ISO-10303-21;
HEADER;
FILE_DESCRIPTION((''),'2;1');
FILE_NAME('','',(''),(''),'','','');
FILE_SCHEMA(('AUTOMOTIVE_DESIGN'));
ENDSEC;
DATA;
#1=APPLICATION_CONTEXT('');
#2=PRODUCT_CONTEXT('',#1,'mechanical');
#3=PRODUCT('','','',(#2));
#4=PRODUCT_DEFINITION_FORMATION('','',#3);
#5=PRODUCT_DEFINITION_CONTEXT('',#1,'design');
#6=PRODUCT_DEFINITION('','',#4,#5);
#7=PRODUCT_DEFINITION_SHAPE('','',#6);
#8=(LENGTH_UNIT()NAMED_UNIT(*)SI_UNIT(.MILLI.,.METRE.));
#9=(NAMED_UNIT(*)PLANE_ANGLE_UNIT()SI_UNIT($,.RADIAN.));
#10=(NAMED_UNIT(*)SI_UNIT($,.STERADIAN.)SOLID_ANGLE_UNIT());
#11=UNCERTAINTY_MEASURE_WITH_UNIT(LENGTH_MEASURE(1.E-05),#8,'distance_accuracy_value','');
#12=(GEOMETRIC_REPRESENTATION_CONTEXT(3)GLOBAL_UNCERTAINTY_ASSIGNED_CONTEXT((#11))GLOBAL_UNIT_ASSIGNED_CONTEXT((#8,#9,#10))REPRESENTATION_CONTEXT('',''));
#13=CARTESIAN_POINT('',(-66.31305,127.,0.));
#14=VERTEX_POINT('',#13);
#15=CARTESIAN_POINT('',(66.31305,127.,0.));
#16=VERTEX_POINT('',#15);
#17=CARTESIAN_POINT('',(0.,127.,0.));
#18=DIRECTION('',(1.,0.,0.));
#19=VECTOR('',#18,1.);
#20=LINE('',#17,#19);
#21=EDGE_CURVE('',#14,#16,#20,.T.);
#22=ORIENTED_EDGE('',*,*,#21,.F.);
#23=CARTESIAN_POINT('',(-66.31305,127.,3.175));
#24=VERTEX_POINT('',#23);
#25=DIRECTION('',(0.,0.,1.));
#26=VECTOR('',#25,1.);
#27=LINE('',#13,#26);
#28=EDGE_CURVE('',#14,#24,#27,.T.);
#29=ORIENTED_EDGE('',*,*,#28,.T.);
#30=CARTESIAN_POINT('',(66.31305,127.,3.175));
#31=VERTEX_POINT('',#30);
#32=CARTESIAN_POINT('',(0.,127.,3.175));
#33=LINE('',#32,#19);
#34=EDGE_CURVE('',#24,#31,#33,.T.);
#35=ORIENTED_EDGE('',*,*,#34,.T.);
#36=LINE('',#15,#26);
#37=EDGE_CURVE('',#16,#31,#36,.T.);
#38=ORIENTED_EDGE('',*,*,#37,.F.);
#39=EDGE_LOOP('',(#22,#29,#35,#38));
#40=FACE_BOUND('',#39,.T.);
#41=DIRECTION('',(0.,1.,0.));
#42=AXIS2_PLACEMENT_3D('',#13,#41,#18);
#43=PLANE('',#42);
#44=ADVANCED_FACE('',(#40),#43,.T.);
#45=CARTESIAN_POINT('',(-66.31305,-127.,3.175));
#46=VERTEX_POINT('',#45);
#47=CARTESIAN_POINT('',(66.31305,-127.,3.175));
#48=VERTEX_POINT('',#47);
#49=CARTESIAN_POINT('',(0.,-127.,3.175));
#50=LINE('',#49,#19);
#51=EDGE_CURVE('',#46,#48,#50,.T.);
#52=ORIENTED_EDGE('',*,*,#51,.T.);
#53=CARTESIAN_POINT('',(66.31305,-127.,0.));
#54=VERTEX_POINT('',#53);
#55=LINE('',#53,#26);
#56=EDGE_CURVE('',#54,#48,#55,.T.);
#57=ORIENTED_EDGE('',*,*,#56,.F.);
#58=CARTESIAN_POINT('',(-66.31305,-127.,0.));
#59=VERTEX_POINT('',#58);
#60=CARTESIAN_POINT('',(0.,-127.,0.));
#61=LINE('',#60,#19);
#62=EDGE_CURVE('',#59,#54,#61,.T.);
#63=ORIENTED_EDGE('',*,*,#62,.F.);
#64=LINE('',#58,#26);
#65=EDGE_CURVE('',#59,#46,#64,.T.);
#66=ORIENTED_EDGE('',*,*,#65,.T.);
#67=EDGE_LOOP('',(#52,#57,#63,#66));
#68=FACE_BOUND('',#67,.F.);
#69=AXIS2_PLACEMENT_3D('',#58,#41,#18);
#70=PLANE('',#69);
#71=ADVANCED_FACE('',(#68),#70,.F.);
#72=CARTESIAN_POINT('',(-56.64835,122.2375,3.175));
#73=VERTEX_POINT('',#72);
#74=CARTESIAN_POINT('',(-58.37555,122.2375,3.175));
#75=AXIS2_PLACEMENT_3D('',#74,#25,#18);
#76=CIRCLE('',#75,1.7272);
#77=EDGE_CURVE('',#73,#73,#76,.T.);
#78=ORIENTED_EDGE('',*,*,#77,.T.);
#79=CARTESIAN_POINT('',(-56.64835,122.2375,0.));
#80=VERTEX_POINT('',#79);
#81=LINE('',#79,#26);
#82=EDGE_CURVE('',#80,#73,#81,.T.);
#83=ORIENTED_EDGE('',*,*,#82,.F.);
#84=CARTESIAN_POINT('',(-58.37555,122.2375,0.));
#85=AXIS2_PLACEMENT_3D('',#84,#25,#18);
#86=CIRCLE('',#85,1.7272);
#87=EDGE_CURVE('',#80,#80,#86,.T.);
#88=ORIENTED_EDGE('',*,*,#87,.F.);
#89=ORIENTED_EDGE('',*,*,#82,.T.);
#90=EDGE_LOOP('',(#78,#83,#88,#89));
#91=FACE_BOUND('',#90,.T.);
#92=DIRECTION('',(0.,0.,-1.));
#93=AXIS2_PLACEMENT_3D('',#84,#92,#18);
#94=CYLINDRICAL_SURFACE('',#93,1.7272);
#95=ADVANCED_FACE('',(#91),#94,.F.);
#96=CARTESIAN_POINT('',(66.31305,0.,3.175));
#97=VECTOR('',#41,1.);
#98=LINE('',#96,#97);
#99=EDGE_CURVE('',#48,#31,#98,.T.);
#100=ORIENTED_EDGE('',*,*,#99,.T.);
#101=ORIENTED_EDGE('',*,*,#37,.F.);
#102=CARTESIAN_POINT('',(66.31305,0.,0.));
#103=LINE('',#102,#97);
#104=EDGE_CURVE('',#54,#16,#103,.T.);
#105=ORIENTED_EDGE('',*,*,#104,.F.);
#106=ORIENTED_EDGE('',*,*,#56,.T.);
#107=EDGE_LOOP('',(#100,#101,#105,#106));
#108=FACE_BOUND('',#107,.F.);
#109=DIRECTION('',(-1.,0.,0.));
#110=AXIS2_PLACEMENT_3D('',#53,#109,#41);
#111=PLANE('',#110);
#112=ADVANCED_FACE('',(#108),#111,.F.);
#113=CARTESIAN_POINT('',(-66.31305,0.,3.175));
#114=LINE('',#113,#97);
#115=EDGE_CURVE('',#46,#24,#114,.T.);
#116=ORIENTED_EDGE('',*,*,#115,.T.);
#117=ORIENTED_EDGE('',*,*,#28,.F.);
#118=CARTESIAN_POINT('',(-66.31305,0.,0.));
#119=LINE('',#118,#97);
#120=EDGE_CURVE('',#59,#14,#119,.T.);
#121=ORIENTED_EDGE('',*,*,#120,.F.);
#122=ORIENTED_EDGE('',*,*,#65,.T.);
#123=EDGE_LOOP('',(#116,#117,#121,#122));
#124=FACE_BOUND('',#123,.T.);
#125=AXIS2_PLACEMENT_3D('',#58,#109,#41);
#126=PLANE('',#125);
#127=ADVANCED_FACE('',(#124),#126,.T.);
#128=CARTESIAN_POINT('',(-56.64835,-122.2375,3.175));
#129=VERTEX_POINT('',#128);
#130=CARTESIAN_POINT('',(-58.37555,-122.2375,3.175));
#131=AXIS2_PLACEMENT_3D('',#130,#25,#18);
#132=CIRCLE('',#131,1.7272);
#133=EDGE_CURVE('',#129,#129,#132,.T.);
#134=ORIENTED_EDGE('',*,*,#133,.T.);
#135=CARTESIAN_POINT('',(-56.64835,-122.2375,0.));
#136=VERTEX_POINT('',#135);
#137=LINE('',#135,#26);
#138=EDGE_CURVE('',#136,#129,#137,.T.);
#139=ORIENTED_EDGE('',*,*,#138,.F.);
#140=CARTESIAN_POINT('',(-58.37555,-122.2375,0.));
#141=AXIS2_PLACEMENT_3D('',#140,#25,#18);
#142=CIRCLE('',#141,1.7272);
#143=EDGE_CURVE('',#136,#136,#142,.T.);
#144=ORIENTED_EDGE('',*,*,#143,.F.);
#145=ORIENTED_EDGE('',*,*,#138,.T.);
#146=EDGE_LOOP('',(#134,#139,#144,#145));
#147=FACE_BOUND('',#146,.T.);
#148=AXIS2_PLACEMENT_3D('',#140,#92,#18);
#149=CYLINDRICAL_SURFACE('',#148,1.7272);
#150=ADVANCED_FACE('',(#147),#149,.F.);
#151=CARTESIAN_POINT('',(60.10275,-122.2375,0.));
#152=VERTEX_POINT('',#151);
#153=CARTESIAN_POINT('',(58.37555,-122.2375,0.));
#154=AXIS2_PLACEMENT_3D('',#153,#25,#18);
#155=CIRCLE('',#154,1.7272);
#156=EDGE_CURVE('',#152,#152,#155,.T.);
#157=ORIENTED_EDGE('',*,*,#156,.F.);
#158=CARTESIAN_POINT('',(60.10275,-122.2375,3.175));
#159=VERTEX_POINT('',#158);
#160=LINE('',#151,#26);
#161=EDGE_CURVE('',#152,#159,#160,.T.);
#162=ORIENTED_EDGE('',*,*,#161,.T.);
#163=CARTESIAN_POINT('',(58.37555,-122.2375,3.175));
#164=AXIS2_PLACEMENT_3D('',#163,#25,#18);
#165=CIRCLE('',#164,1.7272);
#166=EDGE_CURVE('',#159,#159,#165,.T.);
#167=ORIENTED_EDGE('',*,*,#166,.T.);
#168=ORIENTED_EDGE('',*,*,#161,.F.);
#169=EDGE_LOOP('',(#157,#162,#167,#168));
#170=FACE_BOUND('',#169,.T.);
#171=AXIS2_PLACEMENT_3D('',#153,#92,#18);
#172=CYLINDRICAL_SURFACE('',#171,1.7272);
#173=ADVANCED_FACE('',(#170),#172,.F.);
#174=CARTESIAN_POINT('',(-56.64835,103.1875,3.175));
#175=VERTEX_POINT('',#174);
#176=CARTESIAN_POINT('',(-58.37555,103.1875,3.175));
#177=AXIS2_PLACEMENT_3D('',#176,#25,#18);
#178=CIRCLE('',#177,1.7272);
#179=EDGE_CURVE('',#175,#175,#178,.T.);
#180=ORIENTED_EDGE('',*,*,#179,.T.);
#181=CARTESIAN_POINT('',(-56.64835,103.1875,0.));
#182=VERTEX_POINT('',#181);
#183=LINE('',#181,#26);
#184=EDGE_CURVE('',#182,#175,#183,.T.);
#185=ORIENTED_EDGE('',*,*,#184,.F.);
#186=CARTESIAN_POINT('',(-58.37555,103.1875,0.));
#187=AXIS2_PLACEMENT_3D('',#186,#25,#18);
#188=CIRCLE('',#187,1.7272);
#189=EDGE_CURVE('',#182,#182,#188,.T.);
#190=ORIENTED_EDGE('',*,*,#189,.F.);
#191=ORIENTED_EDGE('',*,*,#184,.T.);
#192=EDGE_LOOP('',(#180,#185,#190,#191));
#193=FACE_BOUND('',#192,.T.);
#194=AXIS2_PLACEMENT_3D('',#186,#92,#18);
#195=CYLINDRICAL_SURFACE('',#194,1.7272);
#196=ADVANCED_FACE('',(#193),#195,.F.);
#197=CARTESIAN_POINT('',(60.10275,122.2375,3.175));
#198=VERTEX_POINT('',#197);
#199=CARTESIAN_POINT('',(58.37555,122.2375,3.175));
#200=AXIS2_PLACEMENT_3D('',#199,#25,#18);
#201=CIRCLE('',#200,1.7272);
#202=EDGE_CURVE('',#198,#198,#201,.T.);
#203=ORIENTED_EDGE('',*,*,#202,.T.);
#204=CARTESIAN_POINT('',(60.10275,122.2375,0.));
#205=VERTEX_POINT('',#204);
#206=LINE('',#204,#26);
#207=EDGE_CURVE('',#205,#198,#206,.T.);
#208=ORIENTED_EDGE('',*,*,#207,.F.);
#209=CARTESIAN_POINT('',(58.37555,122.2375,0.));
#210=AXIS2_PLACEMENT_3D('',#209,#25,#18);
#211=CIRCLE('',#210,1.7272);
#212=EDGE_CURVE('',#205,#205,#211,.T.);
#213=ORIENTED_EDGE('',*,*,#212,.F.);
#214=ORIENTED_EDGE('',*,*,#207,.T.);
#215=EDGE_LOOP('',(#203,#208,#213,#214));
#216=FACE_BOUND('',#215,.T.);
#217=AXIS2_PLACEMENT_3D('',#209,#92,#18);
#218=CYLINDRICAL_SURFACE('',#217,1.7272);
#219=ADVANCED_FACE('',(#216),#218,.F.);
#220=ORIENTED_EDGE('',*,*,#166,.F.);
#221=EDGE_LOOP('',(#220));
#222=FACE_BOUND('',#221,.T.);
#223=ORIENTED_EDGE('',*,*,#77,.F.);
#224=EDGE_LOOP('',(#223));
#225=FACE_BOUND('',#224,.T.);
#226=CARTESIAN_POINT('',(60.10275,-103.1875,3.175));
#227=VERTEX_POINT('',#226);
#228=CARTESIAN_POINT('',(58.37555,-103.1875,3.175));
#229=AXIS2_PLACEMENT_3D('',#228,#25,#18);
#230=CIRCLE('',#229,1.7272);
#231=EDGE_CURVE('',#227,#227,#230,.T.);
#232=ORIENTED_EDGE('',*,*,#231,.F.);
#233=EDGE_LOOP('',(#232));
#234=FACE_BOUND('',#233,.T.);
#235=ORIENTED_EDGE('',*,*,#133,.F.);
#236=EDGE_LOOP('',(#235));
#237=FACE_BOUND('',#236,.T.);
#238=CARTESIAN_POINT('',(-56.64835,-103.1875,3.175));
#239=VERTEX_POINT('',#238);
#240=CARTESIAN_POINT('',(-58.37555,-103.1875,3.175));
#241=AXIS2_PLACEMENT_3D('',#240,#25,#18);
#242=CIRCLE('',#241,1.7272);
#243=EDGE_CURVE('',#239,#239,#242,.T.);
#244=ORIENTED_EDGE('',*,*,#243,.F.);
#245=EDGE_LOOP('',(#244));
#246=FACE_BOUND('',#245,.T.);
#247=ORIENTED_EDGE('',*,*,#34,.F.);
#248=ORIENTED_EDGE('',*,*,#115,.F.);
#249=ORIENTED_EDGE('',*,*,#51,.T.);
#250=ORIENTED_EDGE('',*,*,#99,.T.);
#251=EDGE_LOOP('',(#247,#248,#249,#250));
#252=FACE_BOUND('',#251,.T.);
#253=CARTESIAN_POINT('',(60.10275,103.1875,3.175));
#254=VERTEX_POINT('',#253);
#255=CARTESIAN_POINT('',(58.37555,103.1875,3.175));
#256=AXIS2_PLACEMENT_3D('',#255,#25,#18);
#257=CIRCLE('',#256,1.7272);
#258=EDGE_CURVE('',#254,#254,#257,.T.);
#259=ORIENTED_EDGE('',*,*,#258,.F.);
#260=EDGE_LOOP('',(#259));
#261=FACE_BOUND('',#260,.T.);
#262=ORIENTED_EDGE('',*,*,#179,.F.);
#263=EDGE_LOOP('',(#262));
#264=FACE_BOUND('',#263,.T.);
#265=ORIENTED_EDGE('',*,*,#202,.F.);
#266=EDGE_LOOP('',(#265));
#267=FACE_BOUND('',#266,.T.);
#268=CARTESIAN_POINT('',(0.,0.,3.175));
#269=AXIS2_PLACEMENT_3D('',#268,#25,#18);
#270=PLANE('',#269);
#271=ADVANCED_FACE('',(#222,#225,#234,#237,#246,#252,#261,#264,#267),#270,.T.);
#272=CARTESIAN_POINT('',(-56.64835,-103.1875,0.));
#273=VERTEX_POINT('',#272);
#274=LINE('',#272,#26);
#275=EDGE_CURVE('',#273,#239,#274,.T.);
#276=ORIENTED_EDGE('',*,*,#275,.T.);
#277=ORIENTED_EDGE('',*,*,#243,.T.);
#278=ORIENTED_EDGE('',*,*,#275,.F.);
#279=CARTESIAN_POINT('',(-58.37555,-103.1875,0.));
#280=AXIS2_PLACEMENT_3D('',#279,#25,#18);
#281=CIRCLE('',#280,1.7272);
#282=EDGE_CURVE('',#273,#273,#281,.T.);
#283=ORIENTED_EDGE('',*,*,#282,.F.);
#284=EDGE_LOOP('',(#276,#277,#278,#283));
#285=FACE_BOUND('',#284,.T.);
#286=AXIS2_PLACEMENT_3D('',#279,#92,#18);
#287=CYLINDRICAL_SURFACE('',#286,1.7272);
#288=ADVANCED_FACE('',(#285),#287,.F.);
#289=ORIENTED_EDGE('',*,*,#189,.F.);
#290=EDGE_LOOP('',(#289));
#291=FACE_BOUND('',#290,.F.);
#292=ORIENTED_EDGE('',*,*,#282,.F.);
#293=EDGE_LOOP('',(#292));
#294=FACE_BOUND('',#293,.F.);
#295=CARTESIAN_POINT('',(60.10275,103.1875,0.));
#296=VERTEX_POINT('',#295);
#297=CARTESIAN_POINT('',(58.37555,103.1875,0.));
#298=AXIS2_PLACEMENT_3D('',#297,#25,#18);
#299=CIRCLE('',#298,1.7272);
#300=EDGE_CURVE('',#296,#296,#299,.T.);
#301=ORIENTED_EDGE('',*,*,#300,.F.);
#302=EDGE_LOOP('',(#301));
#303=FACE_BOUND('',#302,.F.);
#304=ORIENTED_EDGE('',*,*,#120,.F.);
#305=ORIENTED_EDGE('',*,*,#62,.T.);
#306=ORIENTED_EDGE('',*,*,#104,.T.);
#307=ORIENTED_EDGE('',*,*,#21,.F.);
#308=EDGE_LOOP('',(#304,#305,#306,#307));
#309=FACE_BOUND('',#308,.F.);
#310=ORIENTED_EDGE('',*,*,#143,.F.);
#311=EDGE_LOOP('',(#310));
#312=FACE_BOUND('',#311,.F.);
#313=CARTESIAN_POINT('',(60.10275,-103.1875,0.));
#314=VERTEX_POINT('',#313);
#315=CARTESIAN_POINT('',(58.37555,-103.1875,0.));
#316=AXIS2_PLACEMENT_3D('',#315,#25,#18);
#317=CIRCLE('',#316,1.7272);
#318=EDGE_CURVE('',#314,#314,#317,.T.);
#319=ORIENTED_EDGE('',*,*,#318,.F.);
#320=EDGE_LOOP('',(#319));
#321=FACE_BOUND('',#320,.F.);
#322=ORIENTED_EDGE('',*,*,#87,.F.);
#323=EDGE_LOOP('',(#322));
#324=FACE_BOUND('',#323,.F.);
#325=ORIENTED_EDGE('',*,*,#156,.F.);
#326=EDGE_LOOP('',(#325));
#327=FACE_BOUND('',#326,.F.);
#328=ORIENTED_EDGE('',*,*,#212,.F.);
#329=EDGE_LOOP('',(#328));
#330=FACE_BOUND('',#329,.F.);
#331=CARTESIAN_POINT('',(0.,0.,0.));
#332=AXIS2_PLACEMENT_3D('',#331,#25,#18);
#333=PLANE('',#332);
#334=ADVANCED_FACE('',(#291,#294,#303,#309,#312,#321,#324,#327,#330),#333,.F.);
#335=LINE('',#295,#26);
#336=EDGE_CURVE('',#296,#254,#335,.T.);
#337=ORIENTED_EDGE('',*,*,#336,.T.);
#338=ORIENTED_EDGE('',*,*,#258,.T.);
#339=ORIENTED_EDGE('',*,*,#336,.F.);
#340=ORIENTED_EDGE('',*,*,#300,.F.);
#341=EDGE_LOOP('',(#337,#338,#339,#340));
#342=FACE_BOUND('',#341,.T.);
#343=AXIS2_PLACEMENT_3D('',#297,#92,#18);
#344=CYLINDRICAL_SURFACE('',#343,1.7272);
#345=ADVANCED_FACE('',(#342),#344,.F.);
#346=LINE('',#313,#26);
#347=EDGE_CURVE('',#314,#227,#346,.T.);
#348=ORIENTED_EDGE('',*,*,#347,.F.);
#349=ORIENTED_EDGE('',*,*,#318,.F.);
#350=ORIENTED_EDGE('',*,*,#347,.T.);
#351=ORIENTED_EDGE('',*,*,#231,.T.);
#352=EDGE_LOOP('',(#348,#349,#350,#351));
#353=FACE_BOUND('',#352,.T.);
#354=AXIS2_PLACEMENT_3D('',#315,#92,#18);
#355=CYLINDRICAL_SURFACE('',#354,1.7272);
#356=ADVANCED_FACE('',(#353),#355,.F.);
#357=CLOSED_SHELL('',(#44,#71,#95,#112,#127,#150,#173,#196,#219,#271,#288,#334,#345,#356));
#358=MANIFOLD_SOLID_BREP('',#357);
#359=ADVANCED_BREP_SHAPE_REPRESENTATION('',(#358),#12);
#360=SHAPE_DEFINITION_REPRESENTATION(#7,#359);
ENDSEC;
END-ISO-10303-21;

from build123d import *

# Parameters (mm, degrees)
F0_W     = 132.6261
F0_H     = 254
F0_R     = 1.7272
F1_DEPTH = 3.175


with BuildPart() as f1:
    # F0 (on Top) → F1 (new body)
    with BuildSketch(Plane.XY):
        Rectangle(F0_W, F0_H)
        with Locations((-58.37555, -122.2375)):
            Circle(F0_R, mode=Mode.SUBTRACT)
        with Locations((-58.37555, -103.1875)):
            Circle(F0_R, mode=Mode.SUBTRACT)
        with Locations((58.37555, -122.2375)):
            Circle(F0_R, mode=Mode.SUBTRACT)
        with Locations((58.37555, -103.1875)):
            Circle(F0_R, mode=Mode.SUBTRACT)
        with Locations((-58.37555, 103.1875)):
            Circle(F0_R, mode=Mode.SUBTRACT)
        with Locations((-58.37555, 122.2375)):
            Circle(F0_R, mode=Mode.SUBTRACT)
        with Locations((58.37555, 103.1875)):
            Circle(F0_R, mode=Mode.SUBTRACT)
        with Locations((58.37555, 122.2375)):
            Circle(F0_R, mode=Mode.SUBTRACT)
    extrude(amount=F1_DEPTH)


solid = f1.part
